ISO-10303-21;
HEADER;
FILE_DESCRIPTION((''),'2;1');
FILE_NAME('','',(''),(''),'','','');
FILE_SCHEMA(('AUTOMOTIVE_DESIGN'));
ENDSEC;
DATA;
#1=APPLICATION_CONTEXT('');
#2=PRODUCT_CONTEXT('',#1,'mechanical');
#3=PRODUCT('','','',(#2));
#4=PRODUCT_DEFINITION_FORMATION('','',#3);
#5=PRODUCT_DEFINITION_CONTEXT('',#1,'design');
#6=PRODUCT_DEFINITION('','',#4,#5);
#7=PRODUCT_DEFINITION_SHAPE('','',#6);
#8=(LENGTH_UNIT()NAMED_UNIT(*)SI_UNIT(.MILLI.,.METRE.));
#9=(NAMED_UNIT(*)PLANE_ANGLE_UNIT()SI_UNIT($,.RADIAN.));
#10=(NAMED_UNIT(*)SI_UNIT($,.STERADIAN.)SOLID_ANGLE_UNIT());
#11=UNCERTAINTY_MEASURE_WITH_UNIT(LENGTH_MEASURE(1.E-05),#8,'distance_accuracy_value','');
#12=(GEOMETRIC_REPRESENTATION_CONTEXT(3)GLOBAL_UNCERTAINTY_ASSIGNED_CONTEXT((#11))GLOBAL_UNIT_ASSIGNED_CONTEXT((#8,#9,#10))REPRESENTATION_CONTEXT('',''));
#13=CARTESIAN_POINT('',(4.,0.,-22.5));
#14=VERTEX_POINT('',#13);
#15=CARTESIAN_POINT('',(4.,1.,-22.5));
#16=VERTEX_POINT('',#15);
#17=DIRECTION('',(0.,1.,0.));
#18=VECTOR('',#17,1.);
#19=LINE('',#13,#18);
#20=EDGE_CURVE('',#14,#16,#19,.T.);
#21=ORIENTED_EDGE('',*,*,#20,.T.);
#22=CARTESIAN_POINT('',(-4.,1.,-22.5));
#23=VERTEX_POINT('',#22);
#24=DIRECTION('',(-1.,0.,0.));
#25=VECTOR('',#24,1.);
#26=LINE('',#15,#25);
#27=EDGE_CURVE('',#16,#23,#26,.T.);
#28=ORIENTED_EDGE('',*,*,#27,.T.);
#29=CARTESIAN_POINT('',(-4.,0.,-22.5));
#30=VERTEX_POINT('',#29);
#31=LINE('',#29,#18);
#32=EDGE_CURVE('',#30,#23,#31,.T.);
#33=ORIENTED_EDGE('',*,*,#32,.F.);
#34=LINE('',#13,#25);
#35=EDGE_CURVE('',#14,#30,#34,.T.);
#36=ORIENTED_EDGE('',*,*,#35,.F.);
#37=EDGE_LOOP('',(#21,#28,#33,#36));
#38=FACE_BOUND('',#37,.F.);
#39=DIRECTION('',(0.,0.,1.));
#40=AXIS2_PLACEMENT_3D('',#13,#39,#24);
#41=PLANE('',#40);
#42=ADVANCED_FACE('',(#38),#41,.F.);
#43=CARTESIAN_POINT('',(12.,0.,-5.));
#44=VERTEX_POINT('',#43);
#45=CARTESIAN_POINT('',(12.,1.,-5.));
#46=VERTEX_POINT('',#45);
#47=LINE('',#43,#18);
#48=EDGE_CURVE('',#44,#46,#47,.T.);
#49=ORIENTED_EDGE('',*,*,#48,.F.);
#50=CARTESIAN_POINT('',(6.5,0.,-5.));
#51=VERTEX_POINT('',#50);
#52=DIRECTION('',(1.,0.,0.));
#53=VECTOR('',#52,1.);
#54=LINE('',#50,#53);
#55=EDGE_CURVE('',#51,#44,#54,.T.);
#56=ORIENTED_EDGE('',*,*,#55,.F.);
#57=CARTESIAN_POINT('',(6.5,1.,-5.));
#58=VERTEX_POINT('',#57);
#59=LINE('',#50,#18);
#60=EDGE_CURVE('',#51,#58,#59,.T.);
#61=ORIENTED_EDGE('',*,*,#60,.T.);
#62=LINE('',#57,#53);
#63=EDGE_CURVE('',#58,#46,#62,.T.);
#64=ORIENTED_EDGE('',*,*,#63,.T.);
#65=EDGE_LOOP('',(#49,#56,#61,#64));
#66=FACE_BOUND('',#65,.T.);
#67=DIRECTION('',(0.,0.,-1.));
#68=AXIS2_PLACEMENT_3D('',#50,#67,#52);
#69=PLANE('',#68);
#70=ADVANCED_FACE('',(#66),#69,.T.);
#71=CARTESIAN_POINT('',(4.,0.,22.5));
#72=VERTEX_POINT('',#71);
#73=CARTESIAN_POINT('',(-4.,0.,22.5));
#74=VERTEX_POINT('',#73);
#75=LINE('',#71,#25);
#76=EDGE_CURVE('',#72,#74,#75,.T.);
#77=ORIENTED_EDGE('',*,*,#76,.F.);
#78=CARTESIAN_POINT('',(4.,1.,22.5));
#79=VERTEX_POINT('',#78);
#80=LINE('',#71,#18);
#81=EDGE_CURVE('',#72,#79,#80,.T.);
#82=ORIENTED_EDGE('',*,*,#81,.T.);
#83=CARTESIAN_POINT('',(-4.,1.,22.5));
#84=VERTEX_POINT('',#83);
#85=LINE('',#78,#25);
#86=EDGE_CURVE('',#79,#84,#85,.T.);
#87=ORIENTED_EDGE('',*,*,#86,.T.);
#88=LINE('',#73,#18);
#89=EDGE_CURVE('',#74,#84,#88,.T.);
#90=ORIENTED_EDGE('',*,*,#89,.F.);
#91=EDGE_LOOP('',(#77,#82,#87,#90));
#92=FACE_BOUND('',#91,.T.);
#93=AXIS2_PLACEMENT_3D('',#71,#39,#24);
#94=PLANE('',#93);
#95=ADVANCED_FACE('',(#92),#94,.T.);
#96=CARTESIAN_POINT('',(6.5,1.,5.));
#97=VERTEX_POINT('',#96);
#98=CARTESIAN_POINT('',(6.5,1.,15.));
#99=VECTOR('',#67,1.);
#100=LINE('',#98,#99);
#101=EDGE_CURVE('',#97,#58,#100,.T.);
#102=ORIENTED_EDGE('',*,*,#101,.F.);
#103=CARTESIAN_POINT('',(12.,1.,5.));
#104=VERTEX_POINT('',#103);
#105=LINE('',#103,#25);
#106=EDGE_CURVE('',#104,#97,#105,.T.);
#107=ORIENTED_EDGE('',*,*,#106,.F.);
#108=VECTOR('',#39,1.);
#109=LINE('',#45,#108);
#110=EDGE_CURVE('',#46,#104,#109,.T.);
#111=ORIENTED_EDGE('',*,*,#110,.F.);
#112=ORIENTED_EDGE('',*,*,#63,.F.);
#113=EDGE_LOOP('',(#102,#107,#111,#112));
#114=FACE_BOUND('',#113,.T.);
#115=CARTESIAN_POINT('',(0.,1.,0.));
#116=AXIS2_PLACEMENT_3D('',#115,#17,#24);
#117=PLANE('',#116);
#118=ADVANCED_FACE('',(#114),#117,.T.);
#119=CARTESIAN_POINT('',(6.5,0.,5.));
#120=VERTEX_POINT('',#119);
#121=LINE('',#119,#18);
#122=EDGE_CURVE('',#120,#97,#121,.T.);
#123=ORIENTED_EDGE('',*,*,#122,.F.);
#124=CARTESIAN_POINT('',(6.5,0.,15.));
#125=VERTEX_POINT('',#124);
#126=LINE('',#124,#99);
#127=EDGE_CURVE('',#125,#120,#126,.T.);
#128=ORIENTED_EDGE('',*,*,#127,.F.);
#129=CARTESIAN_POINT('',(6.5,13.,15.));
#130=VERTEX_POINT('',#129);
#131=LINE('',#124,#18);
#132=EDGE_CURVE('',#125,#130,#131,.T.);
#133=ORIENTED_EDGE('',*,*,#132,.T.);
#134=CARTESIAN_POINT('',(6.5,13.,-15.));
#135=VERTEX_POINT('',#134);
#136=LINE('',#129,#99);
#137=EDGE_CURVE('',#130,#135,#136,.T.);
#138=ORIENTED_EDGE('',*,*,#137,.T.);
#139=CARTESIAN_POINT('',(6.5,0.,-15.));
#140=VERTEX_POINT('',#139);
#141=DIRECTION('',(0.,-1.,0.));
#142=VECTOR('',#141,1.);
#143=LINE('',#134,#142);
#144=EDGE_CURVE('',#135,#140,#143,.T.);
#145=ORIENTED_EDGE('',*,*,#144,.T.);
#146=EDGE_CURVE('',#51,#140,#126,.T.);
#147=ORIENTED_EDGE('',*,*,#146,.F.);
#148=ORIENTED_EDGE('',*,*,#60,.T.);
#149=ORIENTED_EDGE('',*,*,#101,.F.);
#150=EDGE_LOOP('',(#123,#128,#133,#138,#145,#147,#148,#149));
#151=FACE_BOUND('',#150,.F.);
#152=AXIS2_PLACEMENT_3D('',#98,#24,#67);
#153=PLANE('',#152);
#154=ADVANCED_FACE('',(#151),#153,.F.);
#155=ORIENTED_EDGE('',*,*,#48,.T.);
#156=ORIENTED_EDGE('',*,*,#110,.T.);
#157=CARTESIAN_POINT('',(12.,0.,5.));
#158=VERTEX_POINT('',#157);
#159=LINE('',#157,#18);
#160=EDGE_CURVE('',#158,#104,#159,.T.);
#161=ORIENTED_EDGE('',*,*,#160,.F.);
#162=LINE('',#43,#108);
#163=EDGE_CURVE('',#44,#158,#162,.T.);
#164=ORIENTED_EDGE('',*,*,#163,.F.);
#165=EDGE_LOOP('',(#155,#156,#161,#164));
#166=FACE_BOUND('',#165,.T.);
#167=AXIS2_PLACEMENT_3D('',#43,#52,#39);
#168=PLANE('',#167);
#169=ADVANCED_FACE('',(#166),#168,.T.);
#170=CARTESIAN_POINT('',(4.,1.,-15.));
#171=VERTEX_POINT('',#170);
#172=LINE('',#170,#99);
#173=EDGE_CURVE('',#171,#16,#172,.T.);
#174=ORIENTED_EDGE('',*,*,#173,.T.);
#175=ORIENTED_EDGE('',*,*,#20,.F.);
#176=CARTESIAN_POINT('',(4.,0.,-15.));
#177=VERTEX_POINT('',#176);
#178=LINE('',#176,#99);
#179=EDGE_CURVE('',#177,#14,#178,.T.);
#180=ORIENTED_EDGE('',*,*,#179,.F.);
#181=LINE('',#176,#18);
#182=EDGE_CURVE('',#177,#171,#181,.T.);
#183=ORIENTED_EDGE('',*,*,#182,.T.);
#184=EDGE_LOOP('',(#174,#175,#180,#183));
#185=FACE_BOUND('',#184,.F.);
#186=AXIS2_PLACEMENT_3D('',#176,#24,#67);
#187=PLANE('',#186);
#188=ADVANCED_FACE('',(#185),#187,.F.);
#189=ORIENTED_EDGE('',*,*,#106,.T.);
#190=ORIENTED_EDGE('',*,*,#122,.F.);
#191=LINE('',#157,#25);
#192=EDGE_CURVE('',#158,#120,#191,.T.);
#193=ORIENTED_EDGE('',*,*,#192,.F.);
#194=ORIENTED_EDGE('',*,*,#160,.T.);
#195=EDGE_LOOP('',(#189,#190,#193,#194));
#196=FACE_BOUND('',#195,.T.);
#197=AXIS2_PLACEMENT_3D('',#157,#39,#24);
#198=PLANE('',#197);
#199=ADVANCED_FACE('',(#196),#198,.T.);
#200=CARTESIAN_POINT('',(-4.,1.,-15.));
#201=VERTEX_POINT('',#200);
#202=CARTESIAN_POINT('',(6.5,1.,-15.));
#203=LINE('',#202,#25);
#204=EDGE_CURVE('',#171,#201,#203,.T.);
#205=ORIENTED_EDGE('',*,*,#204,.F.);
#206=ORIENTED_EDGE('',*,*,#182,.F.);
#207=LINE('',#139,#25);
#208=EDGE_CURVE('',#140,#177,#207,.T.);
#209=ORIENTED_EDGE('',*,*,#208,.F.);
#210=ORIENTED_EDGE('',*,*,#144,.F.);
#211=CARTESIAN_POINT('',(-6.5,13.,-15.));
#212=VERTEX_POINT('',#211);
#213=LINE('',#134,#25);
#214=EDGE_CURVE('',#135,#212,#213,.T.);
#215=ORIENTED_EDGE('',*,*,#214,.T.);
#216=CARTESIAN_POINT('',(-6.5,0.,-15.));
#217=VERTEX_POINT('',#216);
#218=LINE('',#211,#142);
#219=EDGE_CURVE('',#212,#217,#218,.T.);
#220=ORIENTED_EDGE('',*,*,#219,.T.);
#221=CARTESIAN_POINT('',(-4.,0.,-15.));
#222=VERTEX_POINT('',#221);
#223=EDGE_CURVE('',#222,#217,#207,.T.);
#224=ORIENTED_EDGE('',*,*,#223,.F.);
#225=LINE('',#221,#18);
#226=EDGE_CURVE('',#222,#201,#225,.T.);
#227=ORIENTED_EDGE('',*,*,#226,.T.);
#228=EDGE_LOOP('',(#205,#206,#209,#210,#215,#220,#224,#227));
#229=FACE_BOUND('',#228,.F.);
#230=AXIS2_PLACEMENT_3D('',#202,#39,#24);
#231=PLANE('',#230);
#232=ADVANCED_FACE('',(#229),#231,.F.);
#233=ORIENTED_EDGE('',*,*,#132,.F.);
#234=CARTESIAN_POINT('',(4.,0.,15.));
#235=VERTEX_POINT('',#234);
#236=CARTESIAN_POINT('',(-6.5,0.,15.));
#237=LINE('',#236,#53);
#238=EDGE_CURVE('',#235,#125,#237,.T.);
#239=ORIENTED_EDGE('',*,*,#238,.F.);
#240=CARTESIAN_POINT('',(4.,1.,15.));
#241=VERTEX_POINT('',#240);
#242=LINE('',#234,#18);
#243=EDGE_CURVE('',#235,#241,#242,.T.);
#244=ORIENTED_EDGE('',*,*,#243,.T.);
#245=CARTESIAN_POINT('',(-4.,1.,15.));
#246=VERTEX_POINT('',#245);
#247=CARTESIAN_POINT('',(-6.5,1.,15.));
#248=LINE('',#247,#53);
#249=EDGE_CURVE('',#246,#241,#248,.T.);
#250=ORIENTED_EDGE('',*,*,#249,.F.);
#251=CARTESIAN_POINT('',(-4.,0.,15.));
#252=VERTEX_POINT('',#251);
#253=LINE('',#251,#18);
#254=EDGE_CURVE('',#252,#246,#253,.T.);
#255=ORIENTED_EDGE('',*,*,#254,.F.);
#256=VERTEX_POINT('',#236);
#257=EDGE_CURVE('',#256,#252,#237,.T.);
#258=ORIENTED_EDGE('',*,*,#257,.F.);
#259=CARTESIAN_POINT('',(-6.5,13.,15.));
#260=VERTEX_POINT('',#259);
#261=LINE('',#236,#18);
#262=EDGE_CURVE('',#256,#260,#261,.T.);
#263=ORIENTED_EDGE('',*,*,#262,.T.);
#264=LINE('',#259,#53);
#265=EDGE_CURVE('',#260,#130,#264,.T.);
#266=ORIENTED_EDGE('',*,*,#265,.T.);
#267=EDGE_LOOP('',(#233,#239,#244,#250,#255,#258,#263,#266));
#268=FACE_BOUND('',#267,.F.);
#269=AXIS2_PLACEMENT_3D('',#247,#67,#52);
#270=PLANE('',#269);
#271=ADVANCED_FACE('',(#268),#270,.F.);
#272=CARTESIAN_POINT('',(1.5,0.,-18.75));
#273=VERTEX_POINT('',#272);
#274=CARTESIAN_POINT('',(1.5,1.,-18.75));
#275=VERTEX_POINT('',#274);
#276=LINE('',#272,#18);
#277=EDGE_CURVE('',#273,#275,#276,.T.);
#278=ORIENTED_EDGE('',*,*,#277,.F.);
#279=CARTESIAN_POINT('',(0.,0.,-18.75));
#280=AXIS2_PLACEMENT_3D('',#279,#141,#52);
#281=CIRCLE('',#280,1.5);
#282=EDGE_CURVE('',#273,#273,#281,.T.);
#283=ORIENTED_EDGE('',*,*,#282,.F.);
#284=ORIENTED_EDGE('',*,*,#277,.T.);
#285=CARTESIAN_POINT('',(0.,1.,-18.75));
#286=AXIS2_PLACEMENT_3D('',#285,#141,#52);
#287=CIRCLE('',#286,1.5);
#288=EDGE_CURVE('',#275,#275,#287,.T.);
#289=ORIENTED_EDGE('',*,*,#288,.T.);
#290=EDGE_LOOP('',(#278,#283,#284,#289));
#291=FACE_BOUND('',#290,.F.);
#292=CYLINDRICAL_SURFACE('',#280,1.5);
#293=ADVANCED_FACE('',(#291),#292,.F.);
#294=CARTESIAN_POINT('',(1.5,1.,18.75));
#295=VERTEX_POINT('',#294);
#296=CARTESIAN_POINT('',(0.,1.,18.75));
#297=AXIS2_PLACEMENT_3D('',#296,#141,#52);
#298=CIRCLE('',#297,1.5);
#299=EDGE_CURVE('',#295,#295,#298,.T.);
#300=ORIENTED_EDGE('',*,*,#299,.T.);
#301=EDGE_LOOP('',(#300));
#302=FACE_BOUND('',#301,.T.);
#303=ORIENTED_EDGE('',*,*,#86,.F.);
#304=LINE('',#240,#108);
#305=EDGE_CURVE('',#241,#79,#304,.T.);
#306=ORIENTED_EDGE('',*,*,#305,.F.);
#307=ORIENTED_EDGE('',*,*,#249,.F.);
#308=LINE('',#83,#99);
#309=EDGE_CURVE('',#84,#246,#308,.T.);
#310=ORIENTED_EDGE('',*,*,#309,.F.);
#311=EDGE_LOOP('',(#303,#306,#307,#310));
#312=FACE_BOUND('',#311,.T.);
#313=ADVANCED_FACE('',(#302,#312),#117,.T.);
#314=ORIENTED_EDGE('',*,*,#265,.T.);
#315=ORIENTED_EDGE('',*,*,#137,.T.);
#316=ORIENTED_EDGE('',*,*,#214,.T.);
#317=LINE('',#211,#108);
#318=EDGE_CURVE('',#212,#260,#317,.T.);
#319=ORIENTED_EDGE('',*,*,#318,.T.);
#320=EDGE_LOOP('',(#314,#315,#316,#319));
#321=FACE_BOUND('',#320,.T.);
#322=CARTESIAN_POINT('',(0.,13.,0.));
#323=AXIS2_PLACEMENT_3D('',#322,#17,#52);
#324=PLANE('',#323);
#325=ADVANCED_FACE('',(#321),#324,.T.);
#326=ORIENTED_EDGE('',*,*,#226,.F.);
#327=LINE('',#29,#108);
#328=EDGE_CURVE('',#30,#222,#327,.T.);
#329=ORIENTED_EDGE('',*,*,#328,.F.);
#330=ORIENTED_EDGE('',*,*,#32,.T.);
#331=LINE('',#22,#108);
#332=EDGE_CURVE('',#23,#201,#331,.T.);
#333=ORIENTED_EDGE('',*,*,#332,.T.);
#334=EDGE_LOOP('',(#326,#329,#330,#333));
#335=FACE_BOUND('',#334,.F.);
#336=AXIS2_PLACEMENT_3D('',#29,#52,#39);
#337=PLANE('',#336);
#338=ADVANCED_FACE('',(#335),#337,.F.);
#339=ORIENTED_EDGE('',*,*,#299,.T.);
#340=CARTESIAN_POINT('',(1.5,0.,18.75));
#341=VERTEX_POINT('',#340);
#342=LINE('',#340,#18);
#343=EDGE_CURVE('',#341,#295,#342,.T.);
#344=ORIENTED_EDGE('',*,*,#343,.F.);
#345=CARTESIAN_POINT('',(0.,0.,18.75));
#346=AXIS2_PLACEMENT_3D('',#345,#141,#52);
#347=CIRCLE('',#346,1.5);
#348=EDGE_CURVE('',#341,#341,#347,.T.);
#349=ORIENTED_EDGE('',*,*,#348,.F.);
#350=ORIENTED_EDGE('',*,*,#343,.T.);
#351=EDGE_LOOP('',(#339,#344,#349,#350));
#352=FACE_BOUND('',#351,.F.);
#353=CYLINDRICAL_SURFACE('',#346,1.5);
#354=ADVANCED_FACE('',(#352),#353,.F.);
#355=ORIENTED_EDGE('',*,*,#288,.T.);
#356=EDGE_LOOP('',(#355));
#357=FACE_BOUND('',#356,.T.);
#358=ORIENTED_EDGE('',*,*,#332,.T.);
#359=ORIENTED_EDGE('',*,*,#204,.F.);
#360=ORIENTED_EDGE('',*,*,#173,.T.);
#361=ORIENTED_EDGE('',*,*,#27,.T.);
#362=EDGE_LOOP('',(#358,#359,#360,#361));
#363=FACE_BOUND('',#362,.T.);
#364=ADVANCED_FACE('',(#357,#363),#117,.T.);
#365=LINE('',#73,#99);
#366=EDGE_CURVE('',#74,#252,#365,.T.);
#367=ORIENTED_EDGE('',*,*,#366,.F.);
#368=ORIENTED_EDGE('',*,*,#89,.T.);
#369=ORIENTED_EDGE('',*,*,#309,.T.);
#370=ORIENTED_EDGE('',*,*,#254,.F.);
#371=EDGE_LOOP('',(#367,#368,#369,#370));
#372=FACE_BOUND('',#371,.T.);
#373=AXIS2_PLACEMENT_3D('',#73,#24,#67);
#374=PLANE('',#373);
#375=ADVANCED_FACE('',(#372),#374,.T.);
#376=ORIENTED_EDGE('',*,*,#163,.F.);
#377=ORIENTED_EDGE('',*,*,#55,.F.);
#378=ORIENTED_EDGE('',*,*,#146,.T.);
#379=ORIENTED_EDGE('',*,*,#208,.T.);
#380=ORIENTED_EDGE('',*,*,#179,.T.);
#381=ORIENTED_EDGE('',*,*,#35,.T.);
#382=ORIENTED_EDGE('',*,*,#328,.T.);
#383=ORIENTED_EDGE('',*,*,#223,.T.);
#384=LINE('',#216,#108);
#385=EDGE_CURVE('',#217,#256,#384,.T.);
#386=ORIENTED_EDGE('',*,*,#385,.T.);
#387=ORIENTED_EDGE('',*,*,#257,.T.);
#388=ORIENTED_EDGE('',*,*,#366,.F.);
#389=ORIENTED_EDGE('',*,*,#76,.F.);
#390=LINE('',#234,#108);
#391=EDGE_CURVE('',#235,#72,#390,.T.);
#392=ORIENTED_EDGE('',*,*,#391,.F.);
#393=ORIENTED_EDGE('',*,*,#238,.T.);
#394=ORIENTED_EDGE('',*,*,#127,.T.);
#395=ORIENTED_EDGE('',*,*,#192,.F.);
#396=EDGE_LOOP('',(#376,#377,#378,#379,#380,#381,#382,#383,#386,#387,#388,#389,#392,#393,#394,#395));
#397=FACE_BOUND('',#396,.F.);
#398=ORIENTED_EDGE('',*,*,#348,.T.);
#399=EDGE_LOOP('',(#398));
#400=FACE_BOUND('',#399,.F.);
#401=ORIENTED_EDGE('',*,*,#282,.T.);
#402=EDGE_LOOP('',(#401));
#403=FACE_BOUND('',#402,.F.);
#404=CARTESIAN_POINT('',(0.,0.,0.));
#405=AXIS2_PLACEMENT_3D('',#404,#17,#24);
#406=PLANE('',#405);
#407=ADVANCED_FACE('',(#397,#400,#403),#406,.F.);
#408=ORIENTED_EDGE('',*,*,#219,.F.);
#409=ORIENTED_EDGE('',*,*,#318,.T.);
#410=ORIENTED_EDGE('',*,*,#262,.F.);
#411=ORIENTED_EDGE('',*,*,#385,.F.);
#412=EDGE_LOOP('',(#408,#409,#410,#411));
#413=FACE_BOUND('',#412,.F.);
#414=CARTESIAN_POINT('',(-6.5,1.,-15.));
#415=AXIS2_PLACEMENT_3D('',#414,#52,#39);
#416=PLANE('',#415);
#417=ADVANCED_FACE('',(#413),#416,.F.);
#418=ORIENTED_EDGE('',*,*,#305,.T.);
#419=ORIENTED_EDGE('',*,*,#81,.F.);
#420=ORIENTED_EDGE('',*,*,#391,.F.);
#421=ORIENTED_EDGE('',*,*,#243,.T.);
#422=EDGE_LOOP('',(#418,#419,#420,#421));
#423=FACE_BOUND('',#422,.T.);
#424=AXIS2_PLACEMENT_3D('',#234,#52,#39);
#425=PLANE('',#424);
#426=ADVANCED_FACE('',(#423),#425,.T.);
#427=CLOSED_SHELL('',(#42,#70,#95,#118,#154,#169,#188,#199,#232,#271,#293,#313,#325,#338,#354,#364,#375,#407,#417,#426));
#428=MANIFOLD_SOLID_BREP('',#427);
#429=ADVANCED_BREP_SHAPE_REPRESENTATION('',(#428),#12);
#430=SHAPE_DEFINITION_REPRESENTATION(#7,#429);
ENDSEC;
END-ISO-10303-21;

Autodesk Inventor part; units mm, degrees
ref_plane "YZ Plane" through (0, 0, 0) normal (1, 0, 0) x (0, 1, 0)
ref_plane "XZ Plane" through (0, 0, 0) normal (0, 1, 0) x (-1, 0, 0)
ref_plane "XY Plane" through (0, 0, 0) normal (0, 0, 1) x (1, 0, 0)
sketch "Esquisse1" plane through (0, 0, 0) normal (0, 1, 0) x (-1, 0, 0)
  line L0 (6.5, 15) -> (-6.5, 15)
  line L1 (-6.5, 15) -> (-6.5, -15)
  line L2 (-6.5, -15) -> (6.5, -15)
  line L3 (6.5, -15) -> (6.5, 15)
  line L4 (4, 15) -> (-4, 15)
  line L5 (-4, 15) -> (-4, 22.5)
  line L6 (-4, 22.5) -> (4, 22.5)
  line L7 (4, 22.5) -> (4, 15)
  line L8 (4, -15) -> (-4, -15)
  line L9 (-4, -15) -> (-4, -22.5)
  line L10 (-4, -22.5) -> (4, -22.5)
  line L11 (4, -22.5) -> (4, -15)
  line L12 (-6.5, -5) -> (-12, -5)
  line L13 (-12, -5) -> (-12, 5)
  line L14 (-12, 5) -> (-6.5, 5)
  line L15 (-6.5, 5) -> (-6.5, -5)
  point P0 (0, 0)
  dimension "d0" = 30
  dimension "d1" = 15
  dimension "d2" = 13
  dimension "d3" = 6.5
  dimension "d4" = 45
  dimension "d5" = 22.5
  dimension "d6" = 8
  dimension "d7" = 4
  dimension "d8" = 5.5
  dimension "d9" = 10
  dimension "d10" = 5
extrude "Extrusion1" add sketch "Esquisse1" along normal blind 1
sketch "Esquisse2" plane through (0, 1, 0) normal (0, 1, 0) x (1, 0, 0)
  line L0 (-6.5, -15) -> (6.5, -15)
  line L1 (6.5, -15) -> (6.5, 15)
  line L2 (6.5, 15) -> (-6.5, 15)
  line L3 (-6.5, 15) -> (-6.5, -15)
  point P0 (0, 0)
extrude "Extrusion2" add sketch "Esquisse2" along normal blind 12
sketch "Esquisse3" plane through (0, 0, 0) normal (0, -1, 0) x (1, 0, 0)
  line L0 (-4, 22.5) -> (4, 22.5) construction
  line L1 (4, 22.5) -> (4, 15) construction
  line L2 (4, 15) -> (-4, 15) construction
  line L3 (-4, 15) -> (-4, 22.5) construction
  line L4 (-4, -15) -> (4, -15) construction
  line L5 (4, -15) -> (4, -22.5) construction
  line L6 (4, -22.5) -> (-4, -22.5) construction
  line L7 (-4, -22.5) -> (-4, -15) construction
  line L8 (-4, 15) -> (4, 22.5) construction
  line L9 (4, 15) -> (-4, 22.5) construction
  line L10 (-4, -22.5) -> (4, -15) construction
  line L11 (-4, -15) -> (4, -22.5) construction
  circle A0 centre (0, -18.75) radius 1.5
  circle A1 centre (0, 18.75) radius 1.5
  point P0 (0, 0)
  dimension "d15" = 3
  dimension "d16" = 3
extrude "Extrusion3" cut sketch "Esquisse3" against normal through all
equation "\"d1\" = 0.5 * d0"
equation "\"d3\" = 0.5 * d2"
equation "\"d5\" = 0.5 * d4"
equation "\"d7\" = 0.5 * d6"
equation "\"d10\" = 0.5 * d9"
equation "\"d16\" = d15"
properties part number "gp2"
